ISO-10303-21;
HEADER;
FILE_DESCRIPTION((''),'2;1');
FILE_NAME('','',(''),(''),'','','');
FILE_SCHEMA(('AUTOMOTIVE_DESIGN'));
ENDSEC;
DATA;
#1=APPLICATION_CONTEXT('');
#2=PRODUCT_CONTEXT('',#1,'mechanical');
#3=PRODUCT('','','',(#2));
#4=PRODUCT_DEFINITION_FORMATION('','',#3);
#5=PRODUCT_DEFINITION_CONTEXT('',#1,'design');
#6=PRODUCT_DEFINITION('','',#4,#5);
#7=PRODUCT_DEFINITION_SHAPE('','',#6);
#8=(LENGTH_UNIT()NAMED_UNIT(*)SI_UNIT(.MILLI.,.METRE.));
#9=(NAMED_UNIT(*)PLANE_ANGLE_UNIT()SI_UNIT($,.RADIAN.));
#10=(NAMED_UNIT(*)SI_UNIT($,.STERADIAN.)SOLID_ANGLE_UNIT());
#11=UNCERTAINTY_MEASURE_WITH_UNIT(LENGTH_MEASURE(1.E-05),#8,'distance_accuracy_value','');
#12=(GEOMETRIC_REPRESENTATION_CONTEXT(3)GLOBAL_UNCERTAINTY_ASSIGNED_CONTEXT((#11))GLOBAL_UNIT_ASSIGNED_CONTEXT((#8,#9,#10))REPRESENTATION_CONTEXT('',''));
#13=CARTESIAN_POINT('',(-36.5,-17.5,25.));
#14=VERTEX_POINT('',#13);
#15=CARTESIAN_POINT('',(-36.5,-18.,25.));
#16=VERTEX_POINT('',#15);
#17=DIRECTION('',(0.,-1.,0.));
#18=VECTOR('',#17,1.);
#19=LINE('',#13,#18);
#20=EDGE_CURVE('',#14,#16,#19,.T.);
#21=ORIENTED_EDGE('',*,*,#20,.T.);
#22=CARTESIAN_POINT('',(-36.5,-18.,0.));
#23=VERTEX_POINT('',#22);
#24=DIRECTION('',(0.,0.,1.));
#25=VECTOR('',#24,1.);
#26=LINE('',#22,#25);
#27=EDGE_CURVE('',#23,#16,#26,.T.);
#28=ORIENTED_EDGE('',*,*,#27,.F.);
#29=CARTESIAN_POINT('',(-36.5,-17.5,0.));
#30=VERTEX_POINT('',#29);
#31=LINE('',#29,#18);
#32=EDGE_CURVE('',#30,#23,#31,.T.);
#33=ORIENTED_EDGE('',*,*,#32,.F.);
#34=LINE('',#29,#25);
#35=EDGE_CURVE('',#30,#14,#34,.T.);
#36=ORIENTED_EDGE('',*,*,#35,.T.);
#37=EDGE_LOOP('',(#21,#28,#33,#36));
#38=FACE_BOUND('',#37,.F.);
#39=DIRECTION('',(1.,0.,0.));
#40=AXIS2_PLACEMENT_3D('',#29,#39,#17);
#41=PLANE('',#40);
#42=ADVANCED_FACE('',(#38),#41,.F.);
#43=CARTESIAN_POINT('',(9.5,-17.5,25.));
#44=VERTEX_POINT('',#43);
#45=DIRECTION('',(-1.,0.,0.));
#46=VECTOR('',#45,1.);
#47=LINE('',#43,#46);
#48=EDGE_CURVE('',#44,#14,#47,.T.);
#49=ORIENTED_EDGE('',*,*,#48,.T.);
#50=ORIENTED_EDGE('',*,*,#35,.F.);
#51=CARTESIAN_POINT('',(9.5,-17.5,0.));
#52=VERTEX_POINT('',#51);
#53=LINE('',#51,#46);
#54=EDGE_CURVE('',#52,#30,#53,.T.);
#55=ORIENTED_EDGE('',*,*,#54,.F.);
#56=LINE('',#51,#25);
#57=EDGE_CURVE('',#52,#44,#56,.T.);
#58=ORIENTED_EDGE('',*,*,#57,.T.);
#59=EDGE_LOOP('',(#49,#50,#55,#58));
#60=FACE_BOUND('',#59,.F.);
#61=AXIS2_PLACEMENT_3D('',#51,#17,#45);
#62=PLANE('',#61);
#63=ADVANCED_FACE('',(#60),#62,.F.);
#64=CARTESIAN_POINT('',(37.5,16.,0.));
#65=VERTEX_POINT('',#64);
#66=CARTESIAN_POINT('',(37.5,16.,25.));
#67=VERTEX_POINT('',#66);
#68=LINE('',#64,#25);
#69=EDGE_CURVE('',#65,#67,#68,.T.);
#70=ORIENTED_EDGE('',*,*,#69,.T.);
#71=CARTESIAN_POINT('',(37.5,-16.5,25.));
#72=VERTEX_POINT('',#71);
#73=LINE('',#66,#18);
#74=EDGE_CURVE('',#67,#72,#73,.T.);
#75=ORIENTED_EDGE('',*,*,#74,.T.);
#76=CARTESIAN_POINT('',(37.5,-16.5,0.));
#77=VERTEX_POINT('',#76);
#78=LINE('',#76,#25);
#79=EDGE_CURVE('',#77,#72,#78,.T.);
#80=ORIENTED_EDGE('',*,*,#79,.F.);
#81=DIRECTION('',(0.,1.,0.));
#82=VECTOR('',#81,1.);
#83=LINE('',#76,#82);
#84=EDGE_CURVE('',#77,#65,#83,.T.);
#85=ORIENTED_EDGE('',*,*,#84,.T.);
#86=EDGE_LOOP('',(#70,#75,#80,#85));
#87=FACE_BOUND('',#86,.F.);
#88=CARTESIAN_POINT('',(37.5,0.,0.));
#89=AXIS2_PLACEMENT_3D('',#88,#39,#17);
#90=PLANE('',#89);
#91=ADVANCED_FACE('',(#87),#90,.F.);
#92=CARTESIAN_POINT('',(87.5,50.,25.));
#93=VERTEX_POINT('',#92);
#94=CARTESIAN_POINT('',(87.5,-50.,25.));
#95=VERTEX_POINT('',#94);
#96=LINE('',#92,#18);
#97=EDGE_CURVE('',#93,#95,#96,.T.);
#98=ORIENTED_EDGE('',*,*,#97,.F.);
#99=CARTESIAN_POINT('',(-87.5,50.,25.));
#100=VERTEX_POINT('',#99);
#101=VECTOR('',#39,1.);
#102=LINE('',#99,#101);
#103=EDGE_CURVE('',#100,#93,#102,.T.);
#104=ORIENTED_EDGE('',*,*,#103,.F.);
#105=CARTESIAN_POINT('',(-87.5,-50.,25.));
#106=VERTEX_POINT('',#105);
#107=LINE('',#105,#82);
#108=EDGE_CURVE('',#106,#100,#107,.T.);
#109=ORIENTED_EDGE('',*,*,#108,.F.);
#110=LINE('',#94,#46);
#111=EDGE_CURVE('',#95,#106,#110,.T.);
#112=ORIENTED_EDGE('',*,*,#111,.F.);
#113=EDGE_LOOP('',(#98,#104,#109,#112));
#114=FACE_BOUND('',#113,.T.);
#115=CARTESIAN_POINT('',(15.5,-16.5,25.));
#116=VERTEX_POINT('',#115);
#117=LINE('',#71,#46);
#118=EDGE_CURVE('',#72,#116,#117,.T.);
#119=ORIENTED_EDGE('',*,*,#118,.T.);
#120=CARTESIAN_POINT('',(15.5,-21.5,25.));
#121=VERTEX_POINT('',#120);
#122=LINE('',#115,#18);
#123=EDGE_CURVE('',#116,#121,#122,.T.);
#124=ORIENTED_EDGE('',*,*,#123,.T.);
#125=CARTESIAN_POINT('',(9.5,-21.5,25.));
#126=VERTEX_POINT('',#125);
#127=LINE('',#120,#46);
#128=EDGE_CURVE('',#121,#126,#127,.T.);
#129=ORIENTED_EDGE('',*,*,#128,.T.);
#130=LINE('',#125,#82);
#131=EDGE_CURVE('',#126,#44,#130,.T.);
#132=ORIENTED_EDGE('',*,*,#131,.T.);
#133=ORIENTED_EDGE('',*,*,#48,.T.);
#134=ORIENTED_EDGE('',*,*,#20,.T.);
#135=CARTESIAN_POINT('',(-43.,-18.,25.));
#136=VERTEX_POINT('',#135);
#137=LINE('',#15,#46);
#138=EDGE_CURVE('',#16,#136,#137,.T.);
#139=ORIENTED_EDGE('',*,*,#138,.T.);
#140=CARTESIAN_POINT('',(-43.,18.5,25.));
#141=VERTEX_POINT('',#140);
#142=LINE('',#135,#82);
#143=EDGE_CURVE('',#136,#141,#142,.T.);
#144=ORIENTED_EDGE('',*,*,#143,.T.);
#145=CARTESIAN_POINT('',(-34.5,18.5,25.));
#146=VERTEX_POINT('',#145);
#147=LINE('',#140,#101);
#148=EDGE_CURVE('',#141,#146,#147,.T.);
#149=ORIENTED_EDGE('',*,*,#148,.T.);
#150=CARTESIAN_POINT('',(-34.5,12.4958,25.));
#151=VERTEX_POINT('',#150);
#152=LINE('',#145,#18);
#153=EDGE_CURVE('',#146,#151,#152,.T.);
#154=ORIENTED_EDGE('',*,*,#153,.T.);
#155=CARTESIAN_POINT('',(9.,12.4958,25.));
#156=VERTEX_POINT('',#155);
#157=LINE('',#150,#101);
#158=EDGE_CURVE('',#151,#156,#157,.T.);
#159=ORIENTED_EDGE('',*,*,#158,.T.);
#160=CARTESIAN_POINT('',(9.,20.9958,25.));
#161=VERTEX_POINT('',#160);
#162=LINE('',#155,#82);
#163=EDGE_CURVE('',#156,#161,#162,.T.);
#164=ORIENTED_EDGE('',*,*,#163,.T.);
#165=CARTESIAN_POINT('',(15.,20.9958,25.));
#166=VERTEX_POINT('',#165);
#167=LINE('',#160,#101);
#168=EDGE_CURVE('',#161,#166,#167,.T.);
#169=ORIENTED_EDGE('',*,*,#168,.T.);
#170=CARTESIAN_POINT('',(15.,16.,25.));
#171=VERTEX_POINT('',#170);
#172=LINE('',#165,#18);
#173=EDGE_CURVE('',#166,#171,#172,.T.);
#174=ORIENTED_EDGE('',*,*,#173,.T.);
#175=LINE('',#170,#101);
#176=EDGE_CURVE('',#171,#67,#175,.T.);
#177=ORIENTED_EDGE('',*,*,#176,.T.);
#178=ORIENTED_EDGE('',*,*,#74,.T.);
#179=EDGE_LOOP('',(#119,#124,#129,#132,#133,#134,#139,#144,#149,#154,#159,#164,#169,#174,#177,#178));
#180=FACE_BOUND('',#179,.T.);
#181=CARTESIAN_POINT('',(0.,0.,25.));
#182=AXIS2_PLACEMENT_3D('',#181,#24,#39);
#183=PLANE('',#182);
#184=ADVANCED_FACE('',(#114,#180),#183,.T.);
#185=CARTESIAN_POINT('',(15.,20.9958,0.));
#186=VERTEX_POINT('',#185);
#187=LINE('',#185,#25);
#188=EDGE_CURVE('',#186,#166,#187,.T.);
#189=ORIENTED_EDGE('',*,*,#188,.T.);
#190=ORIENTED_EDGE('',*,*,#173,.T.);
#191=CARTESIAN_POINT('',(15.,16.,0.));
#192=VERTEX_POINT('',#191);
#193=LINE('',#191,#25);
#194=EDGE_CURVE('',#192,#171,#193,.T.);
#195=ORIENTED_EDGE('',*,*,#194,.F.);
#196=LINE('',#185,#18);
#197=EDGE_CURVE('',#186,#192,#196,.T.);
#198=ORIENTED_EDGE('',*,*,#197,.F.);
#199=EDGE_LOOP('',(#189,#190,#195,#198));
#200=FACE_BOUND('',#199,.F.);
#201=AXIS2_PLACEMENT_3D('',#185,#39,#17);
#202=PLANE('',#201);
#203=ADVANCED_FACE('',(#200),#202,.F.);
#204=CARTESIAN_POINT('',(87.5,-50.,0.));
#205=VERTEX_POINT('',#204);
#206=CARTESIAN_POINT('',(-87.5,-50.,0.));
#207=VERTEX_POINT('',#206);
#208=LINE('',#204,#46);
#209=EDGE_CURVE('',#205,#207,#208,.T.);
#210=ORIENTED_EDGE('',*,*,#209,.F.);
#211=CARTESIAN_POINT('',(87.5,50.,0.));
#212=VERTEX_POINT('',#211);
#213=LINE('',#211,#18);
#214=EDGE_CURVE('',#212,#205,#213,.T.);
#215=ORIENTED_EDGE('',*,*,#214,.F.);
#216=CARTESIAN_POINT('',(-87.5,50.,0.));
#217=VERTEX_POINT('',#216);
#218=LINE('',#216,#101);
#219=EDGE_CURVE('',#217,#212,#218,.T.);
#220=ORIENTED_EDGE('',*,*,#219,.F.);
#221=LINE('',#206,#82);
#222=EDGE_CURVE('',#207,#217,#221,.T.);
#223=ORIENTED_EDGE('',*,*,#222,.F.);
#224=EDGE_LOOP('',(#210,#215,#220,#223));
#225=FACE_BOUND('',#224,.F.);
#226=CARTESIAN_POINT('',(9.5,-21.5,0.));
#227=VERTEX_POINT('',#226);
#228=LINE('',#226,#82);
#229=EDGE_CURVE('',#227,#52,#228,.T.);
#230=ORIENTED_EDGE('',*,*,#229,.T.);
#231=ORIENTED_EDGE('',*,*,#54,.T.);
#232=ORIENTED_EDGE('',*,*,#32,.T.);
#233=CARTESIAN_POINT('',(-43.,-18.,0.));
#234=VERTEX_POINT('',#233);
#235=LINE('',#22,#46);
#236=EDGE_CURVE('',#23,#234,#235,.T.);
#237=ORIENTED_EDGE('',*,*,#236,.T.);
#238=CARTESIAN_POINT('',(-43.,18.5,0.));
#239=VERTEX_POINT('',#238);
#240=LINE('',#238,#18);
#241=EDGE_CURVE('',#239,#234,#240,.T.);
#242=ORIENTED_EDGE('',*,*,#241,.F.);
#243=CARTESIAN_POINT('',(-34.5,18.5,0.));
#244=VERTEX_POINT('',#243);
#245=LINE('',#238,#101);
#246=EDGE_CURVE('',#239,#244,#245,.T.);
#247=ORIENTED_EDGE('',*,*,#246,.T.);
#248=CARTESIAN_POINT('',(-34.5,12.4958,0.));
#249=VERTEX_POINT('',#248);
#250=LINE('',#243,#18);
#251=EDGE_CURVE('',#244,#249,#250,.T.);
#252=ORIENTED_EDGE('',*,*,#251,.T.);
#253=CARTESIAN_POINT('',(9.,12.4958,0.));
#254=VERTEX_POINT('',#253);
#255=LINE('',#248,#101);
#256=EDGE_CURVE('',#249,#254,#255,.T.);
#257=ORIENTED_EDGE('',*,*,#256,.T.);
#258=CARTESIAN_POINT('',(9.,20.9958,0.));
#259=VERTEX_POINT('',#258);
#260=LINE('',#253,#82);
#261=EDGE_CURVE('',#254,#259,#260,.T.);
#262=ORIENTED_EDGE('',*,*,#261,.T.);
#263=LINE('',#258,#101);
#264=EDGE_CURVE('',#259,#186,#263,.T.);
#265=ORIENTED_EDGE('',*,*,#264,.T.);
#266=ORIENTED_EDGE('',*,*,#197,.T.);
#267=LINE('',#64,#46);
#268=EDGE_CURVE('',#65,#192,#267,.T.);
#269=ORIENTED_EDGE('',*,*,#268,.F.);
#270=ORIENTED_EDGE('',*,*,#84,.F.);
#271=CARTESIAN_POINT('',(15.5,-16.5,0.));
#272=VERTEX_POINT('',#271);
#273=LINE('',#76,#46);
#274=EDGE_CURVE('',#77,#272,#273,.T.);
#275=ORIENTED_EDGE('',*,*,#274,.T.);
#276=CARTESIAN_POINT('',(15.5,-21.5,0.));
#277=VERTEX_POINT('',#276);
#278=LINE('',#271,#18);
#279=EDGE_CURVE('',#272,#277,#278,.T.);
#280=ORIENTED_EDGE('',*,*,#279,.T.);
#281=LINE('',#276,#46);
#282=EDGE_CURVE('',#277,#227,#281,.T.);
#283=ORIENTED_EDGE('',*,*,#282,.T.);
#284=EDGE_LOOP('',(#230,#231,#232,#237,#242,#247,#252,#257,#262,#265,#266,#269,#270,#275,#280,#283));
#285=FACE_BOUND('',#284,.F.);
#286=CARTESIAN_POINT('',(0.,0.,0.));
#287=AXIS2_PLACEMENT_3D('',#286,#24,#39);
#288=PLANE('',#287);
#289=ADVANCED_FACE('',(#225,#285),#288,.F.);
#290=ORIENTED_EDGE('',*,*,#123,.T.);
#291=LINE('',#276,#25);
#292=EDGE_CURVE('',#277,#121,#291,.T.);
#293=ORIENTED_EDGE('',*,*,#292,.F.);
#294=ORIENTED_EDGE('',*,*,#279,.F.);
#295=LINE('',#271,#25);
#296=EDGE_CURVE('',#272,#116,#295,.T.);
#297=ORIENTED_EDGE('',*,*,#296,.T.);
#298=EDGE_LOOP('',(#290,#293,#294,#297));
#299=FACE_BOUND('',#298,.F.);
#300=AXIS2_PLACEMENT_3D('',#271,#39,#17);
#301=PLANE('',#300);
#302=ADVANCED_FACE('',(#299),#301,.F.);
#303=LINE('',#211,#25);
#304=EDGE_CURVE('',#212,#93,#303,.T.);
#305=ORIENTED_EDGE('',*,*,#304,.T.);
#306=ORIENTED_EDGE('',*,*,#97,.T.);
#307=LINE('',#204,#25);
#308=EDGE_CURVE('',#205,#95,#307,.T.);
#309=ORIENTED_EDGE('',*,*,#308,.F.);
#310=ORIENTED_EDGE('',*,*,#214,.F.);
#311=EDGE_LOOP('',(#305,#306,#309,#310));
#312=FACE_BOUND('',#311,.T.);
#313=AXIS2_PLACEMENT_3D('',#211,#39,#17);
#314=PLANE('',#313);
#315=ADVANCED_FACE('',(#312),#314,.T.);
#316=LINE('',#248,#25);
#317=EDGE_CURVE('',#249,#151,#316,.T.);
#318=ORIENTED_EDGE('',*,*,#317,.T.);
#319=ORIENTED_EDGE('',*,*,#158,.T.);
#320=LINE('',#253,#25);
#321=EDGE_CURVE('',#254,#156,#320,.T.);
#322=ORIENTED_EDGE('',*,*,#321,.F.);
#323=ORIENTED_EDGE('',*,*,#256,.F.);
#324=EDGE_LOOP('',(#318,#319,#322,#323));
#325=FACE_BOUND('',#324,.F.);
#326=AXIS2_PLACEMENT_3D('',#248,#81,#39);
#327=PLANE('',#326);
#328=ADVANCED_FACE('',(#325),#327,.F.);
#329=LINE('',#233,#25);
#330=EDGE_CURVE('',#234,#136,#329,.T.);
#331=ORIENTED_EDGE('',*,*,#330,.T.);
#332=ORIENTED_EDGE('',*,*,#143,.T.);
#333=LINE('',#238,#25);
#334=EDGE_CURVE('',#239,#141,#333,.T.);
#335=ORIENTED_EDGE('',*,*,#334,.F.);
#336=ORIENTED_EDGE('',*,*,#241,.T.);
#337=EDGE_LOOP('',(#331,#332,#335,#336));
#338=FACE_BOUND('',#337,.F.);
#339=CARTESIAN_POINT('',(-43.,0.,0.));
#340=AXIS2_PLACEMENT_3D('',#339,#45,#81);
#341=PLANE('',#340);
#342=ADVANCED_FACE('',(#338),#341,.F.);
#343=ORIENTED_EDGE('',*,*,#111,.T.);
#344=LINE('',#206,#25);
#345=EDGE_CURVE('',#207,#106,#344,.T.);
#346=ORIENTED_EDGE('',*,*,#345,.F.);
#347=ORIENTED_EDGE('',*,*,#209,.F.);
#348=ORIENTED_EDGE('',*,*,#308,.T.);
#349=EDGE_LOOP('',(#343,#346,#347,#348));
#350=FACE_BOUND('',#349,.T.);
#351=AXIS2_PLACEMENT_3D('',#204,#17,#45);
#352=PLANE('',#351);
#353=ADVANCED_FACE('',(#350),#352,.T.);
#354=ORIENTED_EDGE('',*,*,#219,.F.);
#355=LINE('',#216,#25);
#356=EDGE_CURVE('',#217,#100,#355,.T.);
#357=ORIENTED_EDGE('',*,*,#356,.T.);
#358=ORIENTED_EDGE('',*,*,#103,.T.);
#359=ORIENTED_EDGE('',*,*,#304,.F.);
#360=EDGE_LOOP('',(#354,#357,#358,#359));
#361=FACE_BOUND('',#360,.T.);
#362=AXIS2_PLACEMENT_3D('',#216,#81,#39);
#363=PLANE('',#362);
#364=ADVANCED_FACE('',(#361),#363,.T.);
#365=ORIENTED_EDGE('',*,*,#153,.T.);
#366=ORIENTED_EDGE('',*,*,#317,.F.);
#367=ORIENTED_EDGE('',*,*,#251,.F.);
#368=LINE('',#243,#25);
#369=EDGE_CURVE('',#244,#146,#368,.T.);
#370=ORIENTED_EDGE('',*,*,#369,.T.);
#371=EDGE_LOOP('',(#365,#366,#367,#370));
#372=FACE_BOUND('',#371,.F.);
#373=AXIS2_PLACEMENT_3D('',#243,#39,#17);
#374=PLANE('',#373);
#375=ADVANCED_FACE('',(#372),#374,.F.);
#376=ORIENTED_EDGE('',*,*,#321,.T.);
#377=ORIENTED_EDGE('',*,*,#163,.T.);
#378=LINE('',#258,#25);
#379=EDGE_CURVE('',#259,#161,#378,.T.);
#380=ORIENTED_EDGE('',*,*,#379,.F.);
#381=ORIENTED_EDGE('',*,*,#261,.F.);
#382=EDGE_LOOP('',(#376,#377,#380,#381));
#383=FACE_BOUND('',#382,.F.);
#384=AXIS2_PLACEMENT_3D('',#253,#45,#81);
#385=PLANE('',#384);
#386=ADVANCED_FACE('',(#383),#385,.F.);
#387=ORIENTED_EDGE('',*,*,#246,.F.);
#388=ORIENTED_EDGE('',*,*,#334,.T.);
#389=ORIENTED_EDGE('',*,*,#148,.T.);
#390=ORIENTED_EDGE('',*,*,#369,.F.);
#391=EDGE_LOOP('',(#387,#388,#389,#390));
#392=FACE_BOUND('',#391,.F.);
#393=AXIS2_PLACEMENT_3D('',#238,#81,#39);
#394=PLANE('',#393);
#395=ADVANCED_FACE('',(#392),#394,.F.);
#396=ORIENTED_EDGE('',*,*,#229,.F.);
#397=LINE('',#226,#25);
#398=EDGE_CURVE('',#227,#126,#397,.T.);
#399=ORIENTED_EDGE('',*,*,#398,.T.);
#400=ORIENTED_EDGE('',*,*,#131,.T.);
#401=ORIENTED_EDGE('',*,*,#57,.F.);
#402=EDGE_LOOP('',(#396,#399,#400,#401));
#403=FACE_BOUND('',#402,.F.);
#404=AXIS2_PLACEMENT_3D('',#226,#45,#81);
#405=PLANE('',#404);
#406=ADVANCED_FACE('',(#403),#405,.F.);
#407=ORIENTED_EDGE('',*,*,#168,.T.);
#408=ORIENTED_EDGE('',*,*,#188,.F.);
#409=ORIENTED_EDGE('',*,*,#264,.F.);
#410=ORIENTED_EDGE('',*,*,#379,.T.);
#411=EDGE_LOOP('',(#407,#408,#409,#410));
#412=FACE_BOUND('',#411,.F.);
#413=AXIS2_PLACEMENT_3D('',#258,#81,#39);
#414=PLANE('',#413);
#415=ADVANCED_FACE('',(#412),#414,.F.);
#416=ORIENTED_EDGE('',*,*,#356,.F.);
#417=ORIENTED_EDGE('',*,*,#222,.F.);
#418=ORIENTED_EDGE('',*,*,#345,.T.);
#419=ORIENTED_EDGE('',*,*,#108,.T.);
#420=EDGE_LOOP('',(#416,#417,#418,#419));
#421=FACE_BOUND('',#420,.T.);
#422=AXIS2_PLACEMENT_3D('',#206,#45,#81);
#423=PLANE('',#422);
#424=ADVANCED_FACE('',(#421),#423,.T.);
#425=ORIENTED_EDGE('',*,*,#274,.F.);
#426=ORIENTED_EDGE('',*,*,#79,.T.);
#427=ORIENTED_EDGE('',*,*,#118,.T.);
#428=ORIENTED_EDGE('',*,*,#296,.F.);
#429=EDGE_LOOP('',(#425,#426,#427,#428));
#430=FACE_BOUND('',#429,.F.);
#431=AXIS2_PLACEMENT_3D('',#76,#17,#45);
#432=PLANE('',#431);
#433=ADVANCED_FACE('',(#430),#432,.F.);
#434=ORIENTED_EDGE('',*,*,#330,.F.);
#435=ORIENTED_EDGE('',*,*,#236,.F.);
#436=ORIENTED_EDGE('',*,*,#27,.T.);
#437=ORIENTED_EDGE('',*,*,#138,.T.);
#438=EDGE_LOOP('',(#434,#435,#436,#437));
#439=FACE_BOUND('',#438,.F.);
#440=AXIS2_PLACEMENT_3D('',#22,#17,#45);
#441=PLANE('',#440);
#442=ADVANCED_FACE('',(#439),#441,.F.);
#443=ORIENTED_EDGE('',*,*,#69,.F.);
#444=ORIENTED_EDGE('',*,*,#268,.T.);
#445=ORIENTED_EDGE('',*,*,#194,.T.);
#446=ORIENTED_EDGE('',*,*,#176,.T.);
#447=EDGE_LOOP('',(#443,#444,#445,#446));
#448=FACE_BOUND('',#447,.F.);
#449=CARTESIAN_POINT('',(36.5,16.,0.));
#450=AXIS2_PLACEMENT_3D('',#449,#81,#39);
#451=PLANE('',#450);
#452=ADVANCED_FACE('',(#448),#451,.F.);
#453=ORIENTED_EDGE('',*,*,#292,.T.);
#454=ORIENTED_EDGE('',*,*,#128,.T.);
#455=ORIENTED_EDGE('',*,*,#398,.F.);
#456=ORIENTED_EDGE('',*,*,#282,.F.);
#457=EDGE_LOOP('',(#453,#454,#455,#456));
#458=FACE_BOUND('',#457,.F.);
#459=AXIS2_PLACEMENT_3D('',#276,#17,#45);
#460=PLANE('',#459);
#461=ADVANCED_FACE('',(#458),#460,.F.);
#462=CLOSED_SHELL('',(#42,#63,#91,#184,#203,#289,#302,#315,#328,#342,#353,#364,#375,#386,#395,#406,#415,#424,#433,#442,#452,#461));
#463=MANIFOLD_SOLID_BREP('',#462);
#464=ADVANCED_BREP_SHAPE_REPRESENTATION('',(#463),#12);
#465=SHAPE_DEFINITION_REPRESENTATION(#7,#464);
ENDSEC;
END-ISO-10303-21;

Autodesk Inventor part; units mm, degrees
ref_plane "YZ Plane" through (0, 0, 0) normal (1, 0, 0) x (0, 1, 0)
ref_plane "XZ Plane" through (0, 0, 0) normal (0, 1, 0) x (-1, 0, 0)
ref_plane "XY Plane" through (0, 0, 0) normal (0, 0, 1) x (1, 0, 0)
sketch "Sketch1" plane through (0, 0, 0) normal (0, 0, 1) x (1, 0, 0)
  line L0 (-87.5, 50) -> (87.5, 50)
  line L1 (87.5, 50) -> (87.5, -50)
  line L2 (87.5, -50) -> (-87.5, -50)
  line L3 (-87.5, -50) -> (-87.5, 50)
  point P0 (0, 0)
  point P1 (0, 50)
  point P2 (-87.5, 0)
  dimension "d0" = 175
  dimension "d1" = 100
extrude "Extrusion1" add sketch "Sketch1" along normal blind 25
sketch "Sketch2" plane through (0, 0, 25) normal (0, 0, 1) x (1, 0, 0)
  line L0 (-87.5, 50) -> (-87.5, -50) projected
  line L1 (-87.5, 0) -> (-62.5, 0) construction
  line L2 (87.5, 50) -> (-87.5, 50) construction
  line L3 (87.5, 50) -> (87.5, 50)
  line L4 (87.5, 50) -> (87.5, -50) construction
  line L5 (87.5, -50) -> (87.5, -50) construction
  line L6 (87.5, -50) -> (87.5, 50) construction
  line L7 (-87.5, -50) -> (87.5, -50) projected
  line L8 (87.5, 50) -> (87.5, -50)
  line L9 (-27.5, 17.5) -> (52.5, 17.5)
  line L10 (52.5, 17.5) -> (52.5, -17.5)
  line L11 (52.5, -17.5) -> (-27.5, -17.5)
  line L12 (-27.5, -17.5) -> (-27.5, 17.5)
  line L13 (-62.5, 50) -> (87.5, 50)
  line L14 (87.5, 50) -> (87.5, -50)
  line L15 (87.5, -50) -> (-62.5, -50)
  line L16 (-62.5, -50) -> (-62.5, 50)
  line L17 (-62.5, 50) -> (87.5, -50) construction
  point P0 (0, 0)
  point P1 (-27.5, 0)
  point P2 (12.5, 17.5)
  point P3 (12.5, 0)
  dimension "d4" = 25
  dimension "d5" = 80
  dimension "d6" = 35
extrude "Extrusion2" [suppressed]
sketch "Sketch3" plane through (0, 0, 0) normal (0, 0, -1) x (-1, 0, 0)
  line L0 (87.5, 50) -> (87.5, -50) projected
  line L1 (87.5, 0) -> (62.5, 0)
  line L2 (62.5, 0) -> (62.5, -50) construction
  line L3 (62.5, -50) -> (-87.5, 50) construction
  line L4 (-87.5, 50) -> (-12.5, 0)
  line L5 (-12.5, 0) -> (-37.5, 0) construction
  line L6 (-37.5, 0) -> (-37.5, -16.5)
  line L7 (-37.5, -16.5) -> (-15.5, -16.5)
  line L8 (-15.5, -16.5) -> (-15.5, -21.5)
  line L9 (-15.5, -21.5) -> (-9.5, -21.5)
  line L10 (-9.5, -21.5) -> (-9.5, -17.5)
  line L11 (-9.5, -17.5) -> (36.5, -17.5)
  line L12 (43, 0) -> (43, 18.5)
  line L13 (43, 18.5) -> (34.5, 18.5)
  line L14 (34.5, 18.5) -> (34.5, 12.4958)
  line L15 (36.5, -17.5) -> (36.5, -18)
  line L16 (36.5, -18) -> (43, -18)
  line L17 (43, -18) -> (43, 0)
  line L18 (34.5, 12.4958) -> (-9, 12.4958)
  line L19 (-9, 12.4958) -> (-9, 20.9958)
  line L20 (-9, 20.9958) -> (-15, 20.9958)
  line L21 (-15, 20.9958) -> (-15, 16)
  line L22 (-15, 16) -> (-37.5, 16)
  line L23 (-37.5, 16) -> (-37.5, 0)
  line L24 (-15, 16) -> (-15.5, -16.5) construction
  line L25 (-9.5, -17.5) -> (-9, 12.4958) construction
  point P0 (0, 0)
  dimension "d9" = 25
  dimension "d10" = 25
  dimension "d11" = 16.5
  dimension "d12" = 22
  dimension "d13" = 5
  dimension "d14" = 6
  dimension "d15" = 4
  dimension "d16" = 46
  dimension "d18" = 18.5
  dimension "d20" = 0.5
  dimension "d21" = 6.5
  dimension "d22" = 18
  dimension "d23" = 8.5
  dimension "d25" = 8.5
  dimension "d26" = 6
  dimension "d28" = 22.5
  dimension "d29" = 50
  dimension "d34" = 16
  dimension "d35" = 30
extrude "Extrusion3" cut sketch "Sketch3" against normal blind 25
shell "Shell1" [suppressed]
properties part number "_3DPrint"
